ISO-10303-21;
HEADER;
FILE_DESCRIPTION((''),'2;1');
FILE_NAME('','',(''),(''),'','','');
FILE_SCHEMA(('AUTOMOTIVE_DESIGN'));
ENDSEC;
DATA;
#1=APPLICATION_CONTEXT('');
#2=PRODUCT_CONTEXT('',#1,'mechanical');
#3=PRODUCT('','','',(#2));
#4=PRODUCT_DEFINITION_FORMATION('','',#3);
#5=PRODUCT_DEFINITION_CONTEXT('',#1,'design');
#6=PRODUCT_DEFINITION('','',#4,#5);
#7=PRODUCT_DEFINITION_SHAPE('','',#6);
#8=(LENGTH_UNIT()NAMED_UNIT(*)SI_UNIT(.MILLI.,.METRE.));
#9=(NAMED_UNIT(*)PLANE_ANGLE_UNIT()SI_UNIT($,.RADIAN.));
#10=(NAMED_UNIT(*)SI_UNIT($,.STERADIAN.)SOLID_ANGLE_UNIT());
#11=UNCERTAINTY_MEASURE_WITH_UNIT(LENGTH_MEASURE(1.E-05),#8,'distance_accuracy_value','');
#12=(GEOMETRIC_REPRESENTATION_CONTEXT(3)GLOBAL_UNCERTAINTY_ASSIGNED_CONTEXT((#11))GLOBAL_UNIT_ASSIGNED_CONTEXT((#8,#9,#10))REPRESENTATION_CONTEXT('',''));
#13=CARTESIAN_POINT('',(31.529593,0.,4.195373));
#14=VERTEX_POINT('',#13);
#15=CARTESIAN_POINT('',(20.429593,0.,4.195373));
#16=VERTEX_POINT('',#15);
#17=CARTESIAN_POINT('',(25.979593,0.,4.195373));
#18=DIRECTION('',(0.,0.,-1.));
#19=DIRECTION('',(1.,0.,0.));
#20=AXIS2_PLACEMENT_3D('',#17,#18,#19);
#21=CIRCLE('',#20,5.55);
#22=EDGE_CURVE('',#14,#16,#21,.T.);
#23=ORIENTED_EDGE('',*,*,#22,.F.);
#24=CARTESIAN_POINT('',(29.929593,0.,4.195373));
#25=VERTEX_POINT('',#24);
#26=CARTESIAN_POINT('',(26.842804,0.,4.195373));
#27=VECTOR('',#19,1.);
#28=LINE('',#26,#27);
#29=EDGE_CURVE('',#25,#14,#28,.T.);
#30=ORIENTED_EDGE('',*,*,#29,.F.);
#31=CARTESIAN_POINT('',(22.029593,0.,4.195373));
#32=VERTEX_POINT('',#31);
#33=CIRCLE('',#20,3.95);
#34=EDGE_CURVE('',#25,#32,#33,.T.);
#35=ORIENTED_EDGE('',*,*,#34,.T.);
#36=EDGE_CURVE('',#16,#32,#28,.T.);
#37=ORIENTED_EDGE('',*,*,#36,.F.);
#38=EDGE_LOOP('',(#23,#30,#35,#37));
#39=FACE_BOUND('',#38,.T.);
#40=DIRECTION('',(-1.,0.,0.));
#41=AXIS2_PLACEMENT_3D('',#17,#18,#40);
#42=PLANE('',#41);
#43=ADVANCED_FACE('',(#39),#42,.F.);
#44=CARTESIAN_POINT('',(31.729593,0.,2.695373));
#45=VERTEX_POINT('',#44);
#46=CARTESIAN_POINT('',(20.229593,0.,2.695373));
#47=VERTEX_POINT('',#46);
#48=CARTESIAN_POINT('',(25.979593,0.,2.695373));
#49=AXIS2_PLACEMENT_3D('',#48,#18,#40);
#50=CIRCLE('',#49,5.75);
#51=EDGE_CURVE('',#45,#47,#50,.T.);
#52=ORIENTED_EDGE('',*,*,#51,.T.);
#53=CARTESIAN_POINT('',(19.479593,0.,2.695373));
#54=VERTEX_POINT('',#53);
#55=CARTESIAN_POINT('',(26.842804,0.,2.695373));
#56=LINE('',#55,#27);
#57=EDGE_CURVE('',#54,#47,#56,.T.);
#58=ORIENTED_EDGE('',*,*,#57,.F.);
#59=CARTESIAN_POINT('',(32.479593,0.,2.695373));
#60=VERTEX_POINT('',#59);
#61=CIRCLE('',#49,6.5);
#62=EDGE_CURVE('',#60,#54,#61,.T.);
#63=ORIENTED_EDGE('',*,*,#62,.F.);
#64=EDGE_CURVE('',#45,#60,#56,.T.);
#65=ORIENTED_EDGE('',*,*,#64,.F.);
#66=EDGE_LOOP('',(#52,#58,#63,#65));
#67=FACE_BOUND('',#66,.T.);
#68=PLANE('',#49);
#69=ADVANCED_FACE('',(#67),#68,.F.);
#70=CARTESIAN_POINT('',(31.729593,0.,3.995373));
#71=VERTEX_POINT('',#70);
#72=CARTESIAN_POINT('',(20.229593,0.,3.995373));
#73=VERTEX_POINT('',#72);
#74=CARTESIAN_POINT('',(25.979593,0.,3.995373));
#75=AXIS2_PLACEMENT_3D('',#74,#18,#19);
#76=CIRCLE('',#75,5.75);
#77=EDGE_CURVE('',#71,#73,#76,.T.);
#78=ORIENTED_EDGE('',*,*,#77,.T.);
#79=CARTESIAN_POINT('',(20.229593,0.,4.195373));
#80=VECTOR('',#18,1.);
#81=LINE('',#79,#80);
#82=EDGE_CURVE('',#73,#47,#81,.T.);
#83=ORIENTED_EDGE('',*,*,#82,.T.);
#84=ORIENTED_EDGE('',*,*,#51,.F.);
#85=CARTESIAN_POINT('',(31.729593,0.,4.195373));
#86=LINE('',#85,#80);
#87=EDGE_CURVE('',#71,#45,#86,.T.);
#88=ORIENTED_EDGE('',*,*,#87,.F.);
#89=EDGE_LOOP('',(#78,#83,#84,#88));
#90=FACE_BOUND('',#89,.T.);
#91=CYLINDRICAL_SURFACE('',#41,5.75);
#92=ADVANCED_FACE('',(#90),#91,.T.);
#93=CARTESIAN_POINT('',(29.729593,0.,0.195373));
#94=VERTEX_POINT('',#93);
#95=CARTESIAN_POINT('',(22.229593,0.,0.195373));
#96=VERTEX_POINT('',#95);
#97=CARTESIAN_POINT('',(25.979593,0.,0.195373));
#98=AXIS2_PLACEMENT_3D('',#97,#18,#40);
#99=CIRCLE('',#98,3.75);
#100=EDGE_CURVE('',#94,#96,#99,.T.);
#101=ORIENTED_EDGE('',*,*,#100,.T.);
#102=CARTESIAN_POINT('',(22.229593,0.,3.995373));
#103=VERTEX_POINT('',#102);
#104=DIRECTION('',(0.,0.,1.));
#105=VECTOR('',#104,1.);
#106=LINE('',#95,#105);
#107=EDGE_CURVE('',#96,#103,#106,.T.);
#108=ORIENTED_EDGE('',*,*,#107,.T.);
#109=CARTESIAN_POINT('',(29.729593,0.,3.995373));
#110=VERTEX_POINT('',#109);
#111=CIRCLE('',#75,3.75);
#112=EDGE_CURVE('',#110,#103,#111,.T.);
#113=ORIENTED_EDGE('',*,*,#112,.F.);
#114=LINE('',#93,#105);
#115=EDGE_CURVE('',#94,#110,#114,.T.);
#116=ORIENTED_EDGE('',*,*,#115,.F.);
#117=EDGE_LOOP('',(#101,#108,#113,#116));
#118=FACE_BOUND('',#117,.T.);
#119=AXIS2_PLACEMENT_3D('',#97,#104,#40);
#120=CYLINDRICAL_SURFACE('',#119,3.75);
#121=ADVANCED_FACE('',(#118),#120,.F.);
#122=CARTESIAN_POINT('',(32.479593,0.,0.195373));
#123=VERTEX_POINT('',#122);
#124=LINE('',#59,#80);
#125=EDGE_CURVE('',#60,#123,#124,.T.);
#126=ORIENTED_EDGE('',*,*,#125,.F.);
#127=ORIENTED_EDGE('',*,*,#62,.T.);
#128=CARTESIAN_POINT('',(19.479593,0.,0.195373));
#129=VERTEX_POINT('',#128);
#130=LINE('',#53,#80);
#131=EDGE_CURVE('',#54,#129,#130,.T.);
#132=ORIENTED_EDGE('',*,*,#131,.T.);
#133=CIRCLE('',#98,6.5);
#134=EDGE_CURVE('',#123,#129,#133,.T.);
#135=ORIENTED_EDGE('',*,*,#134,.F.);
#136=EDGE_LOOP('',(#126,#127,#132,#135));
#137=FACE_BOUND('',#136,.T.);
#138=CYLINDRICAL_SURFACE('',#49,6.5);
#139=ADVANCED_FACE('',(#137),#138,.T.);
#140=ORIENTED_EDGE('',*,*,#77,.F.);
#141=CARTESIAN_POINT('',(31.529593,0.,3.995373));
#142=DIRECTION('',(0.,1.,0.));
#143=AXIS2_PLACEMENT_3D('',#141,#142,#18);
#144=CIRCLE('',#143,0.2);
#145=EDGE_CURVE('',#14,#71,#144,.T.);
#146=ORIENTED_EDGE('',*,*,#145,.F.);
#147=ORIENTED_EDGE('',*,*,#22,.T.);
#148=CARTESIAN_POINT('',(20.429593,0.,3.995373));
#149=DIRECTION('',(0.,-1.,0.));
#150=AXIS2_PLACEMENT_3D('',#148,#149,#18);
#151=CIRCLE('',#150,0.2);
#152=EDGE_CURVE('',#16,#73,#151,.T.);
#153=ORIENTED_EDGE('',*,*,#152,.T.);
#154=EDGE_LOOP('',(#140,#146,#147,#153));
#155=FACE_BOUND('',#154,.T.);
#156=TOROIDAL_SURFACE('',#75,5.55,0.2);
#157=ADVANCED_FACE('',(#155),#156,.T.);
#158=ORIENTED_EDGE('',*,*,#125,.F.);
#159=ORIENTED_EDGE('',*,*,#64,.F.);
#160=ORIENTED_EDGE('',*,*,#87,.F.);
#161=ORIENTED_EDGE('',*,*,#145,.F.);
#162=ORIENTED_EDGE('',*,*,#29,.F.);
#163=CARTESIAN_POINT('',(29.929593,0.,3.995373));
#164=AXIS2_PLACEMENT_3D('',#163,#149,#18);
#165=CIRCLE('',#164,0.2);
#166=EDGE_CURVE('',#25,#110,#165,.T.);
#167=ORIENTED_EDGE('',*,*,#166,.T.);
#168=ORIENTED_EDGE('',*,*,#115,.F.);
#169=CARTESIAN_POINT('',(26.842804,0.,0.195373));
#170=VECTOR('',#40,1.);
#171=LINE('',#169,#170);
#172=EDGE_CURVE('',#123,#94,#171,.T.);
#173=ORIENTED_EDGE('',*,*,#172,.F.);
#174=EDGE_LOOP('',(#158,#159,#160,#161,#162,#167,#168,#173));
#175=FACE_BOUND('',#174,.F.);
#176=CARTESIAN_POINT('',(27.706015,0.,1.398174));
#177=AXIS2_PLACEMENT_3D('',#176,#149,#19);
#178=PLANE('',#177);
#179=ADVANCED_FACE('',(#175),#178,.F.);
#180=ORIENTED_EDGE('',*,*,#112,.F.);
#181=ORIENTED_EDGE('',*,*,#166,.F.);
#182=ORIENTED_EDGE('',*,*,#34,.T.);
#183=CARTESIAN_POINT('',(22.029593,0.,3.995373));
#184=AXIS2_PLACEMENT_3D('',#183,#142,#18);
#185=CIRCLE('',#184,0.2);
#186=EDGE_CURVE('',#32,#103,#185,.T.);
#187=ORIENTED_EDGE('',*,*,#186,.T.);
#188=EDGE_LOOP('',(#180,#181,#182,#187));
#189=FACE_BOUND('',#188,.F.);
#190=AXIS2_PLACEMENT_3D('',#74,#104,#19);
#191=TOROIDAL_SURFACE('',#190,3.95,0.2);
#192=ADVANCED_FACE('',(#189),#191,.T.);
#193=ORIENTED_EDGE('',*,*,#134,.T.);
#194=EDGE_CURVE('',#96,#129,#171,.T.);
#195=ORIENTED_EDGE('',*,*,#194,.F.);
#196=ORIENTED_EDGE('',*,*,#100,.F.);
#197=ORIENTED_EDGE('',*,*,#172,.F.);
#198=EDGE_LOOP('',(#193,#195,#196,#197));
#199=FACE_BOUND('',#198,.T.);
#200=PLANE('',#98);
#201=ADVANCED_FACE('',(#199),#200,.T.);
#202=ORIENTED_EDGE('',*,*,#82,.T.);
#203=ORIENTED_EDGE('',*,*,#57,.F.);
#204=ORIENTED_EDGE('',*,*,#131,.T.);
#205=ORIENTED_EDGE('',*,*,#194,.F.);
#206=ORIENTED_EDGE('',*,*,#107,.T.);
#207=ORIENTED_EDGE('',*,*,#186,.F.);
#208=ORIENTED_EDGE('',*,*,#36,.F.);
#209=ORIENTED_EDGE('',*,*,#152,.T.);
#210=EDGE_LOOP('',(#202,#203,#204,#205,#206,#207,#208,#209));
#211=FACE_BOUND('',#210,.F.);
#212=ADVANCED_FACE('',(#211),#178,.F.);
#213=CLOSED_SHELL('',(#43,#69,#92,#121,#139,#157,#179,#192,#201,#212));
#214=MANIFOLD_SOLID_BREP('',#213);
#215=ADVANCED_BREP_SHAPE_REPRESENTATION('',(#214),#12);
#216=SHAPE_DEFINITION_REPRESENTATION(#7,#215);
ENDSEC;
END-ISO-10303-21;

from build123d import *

# Parameters (mm, degrees)
F2_W     = 32.4015552178
F2_H     = 32.2648398578
F3_DEPTH = 25
F4_R     = 0.2


with BuildPart() as f1:
    # F0 (on Front) → F1 (revolve)
    with BuildSketch(Plane.XZ):
        Polygon((22.2295931596, 4.1953726299), (20.2295931596, 4.1953726299), (20.2295931596, 2.6953726299), (19.4795931596, 2.6953726299), (19.4795931596, 0.1953726299), (22.2295931596, 0.1953726299), align=None)
    revolve(axis=Axis((25.9795931596, 0, 0.8535729721), (0, 0, -1)))

    # F2 (on Front) → F3 (cut)
    with BuildSketch(Plane.XZ):
        with Locations((27.7060153894, 1.3981740922)):
            Rectangle(F2_W, F2_H)
    extrude(amount=-F3_DEPTH, mode=Mode.SUBTRACT)

    # F4
    f4_edges = [f1.edges().sort_by_distance(p)[0] for p in [
        (25.979593, -5.75, 4.195373),
        (25.979593, -3.75, 4.195373),
    ]]
    fillet(f4_edges, radius=F4_R)


solid = f1.part
